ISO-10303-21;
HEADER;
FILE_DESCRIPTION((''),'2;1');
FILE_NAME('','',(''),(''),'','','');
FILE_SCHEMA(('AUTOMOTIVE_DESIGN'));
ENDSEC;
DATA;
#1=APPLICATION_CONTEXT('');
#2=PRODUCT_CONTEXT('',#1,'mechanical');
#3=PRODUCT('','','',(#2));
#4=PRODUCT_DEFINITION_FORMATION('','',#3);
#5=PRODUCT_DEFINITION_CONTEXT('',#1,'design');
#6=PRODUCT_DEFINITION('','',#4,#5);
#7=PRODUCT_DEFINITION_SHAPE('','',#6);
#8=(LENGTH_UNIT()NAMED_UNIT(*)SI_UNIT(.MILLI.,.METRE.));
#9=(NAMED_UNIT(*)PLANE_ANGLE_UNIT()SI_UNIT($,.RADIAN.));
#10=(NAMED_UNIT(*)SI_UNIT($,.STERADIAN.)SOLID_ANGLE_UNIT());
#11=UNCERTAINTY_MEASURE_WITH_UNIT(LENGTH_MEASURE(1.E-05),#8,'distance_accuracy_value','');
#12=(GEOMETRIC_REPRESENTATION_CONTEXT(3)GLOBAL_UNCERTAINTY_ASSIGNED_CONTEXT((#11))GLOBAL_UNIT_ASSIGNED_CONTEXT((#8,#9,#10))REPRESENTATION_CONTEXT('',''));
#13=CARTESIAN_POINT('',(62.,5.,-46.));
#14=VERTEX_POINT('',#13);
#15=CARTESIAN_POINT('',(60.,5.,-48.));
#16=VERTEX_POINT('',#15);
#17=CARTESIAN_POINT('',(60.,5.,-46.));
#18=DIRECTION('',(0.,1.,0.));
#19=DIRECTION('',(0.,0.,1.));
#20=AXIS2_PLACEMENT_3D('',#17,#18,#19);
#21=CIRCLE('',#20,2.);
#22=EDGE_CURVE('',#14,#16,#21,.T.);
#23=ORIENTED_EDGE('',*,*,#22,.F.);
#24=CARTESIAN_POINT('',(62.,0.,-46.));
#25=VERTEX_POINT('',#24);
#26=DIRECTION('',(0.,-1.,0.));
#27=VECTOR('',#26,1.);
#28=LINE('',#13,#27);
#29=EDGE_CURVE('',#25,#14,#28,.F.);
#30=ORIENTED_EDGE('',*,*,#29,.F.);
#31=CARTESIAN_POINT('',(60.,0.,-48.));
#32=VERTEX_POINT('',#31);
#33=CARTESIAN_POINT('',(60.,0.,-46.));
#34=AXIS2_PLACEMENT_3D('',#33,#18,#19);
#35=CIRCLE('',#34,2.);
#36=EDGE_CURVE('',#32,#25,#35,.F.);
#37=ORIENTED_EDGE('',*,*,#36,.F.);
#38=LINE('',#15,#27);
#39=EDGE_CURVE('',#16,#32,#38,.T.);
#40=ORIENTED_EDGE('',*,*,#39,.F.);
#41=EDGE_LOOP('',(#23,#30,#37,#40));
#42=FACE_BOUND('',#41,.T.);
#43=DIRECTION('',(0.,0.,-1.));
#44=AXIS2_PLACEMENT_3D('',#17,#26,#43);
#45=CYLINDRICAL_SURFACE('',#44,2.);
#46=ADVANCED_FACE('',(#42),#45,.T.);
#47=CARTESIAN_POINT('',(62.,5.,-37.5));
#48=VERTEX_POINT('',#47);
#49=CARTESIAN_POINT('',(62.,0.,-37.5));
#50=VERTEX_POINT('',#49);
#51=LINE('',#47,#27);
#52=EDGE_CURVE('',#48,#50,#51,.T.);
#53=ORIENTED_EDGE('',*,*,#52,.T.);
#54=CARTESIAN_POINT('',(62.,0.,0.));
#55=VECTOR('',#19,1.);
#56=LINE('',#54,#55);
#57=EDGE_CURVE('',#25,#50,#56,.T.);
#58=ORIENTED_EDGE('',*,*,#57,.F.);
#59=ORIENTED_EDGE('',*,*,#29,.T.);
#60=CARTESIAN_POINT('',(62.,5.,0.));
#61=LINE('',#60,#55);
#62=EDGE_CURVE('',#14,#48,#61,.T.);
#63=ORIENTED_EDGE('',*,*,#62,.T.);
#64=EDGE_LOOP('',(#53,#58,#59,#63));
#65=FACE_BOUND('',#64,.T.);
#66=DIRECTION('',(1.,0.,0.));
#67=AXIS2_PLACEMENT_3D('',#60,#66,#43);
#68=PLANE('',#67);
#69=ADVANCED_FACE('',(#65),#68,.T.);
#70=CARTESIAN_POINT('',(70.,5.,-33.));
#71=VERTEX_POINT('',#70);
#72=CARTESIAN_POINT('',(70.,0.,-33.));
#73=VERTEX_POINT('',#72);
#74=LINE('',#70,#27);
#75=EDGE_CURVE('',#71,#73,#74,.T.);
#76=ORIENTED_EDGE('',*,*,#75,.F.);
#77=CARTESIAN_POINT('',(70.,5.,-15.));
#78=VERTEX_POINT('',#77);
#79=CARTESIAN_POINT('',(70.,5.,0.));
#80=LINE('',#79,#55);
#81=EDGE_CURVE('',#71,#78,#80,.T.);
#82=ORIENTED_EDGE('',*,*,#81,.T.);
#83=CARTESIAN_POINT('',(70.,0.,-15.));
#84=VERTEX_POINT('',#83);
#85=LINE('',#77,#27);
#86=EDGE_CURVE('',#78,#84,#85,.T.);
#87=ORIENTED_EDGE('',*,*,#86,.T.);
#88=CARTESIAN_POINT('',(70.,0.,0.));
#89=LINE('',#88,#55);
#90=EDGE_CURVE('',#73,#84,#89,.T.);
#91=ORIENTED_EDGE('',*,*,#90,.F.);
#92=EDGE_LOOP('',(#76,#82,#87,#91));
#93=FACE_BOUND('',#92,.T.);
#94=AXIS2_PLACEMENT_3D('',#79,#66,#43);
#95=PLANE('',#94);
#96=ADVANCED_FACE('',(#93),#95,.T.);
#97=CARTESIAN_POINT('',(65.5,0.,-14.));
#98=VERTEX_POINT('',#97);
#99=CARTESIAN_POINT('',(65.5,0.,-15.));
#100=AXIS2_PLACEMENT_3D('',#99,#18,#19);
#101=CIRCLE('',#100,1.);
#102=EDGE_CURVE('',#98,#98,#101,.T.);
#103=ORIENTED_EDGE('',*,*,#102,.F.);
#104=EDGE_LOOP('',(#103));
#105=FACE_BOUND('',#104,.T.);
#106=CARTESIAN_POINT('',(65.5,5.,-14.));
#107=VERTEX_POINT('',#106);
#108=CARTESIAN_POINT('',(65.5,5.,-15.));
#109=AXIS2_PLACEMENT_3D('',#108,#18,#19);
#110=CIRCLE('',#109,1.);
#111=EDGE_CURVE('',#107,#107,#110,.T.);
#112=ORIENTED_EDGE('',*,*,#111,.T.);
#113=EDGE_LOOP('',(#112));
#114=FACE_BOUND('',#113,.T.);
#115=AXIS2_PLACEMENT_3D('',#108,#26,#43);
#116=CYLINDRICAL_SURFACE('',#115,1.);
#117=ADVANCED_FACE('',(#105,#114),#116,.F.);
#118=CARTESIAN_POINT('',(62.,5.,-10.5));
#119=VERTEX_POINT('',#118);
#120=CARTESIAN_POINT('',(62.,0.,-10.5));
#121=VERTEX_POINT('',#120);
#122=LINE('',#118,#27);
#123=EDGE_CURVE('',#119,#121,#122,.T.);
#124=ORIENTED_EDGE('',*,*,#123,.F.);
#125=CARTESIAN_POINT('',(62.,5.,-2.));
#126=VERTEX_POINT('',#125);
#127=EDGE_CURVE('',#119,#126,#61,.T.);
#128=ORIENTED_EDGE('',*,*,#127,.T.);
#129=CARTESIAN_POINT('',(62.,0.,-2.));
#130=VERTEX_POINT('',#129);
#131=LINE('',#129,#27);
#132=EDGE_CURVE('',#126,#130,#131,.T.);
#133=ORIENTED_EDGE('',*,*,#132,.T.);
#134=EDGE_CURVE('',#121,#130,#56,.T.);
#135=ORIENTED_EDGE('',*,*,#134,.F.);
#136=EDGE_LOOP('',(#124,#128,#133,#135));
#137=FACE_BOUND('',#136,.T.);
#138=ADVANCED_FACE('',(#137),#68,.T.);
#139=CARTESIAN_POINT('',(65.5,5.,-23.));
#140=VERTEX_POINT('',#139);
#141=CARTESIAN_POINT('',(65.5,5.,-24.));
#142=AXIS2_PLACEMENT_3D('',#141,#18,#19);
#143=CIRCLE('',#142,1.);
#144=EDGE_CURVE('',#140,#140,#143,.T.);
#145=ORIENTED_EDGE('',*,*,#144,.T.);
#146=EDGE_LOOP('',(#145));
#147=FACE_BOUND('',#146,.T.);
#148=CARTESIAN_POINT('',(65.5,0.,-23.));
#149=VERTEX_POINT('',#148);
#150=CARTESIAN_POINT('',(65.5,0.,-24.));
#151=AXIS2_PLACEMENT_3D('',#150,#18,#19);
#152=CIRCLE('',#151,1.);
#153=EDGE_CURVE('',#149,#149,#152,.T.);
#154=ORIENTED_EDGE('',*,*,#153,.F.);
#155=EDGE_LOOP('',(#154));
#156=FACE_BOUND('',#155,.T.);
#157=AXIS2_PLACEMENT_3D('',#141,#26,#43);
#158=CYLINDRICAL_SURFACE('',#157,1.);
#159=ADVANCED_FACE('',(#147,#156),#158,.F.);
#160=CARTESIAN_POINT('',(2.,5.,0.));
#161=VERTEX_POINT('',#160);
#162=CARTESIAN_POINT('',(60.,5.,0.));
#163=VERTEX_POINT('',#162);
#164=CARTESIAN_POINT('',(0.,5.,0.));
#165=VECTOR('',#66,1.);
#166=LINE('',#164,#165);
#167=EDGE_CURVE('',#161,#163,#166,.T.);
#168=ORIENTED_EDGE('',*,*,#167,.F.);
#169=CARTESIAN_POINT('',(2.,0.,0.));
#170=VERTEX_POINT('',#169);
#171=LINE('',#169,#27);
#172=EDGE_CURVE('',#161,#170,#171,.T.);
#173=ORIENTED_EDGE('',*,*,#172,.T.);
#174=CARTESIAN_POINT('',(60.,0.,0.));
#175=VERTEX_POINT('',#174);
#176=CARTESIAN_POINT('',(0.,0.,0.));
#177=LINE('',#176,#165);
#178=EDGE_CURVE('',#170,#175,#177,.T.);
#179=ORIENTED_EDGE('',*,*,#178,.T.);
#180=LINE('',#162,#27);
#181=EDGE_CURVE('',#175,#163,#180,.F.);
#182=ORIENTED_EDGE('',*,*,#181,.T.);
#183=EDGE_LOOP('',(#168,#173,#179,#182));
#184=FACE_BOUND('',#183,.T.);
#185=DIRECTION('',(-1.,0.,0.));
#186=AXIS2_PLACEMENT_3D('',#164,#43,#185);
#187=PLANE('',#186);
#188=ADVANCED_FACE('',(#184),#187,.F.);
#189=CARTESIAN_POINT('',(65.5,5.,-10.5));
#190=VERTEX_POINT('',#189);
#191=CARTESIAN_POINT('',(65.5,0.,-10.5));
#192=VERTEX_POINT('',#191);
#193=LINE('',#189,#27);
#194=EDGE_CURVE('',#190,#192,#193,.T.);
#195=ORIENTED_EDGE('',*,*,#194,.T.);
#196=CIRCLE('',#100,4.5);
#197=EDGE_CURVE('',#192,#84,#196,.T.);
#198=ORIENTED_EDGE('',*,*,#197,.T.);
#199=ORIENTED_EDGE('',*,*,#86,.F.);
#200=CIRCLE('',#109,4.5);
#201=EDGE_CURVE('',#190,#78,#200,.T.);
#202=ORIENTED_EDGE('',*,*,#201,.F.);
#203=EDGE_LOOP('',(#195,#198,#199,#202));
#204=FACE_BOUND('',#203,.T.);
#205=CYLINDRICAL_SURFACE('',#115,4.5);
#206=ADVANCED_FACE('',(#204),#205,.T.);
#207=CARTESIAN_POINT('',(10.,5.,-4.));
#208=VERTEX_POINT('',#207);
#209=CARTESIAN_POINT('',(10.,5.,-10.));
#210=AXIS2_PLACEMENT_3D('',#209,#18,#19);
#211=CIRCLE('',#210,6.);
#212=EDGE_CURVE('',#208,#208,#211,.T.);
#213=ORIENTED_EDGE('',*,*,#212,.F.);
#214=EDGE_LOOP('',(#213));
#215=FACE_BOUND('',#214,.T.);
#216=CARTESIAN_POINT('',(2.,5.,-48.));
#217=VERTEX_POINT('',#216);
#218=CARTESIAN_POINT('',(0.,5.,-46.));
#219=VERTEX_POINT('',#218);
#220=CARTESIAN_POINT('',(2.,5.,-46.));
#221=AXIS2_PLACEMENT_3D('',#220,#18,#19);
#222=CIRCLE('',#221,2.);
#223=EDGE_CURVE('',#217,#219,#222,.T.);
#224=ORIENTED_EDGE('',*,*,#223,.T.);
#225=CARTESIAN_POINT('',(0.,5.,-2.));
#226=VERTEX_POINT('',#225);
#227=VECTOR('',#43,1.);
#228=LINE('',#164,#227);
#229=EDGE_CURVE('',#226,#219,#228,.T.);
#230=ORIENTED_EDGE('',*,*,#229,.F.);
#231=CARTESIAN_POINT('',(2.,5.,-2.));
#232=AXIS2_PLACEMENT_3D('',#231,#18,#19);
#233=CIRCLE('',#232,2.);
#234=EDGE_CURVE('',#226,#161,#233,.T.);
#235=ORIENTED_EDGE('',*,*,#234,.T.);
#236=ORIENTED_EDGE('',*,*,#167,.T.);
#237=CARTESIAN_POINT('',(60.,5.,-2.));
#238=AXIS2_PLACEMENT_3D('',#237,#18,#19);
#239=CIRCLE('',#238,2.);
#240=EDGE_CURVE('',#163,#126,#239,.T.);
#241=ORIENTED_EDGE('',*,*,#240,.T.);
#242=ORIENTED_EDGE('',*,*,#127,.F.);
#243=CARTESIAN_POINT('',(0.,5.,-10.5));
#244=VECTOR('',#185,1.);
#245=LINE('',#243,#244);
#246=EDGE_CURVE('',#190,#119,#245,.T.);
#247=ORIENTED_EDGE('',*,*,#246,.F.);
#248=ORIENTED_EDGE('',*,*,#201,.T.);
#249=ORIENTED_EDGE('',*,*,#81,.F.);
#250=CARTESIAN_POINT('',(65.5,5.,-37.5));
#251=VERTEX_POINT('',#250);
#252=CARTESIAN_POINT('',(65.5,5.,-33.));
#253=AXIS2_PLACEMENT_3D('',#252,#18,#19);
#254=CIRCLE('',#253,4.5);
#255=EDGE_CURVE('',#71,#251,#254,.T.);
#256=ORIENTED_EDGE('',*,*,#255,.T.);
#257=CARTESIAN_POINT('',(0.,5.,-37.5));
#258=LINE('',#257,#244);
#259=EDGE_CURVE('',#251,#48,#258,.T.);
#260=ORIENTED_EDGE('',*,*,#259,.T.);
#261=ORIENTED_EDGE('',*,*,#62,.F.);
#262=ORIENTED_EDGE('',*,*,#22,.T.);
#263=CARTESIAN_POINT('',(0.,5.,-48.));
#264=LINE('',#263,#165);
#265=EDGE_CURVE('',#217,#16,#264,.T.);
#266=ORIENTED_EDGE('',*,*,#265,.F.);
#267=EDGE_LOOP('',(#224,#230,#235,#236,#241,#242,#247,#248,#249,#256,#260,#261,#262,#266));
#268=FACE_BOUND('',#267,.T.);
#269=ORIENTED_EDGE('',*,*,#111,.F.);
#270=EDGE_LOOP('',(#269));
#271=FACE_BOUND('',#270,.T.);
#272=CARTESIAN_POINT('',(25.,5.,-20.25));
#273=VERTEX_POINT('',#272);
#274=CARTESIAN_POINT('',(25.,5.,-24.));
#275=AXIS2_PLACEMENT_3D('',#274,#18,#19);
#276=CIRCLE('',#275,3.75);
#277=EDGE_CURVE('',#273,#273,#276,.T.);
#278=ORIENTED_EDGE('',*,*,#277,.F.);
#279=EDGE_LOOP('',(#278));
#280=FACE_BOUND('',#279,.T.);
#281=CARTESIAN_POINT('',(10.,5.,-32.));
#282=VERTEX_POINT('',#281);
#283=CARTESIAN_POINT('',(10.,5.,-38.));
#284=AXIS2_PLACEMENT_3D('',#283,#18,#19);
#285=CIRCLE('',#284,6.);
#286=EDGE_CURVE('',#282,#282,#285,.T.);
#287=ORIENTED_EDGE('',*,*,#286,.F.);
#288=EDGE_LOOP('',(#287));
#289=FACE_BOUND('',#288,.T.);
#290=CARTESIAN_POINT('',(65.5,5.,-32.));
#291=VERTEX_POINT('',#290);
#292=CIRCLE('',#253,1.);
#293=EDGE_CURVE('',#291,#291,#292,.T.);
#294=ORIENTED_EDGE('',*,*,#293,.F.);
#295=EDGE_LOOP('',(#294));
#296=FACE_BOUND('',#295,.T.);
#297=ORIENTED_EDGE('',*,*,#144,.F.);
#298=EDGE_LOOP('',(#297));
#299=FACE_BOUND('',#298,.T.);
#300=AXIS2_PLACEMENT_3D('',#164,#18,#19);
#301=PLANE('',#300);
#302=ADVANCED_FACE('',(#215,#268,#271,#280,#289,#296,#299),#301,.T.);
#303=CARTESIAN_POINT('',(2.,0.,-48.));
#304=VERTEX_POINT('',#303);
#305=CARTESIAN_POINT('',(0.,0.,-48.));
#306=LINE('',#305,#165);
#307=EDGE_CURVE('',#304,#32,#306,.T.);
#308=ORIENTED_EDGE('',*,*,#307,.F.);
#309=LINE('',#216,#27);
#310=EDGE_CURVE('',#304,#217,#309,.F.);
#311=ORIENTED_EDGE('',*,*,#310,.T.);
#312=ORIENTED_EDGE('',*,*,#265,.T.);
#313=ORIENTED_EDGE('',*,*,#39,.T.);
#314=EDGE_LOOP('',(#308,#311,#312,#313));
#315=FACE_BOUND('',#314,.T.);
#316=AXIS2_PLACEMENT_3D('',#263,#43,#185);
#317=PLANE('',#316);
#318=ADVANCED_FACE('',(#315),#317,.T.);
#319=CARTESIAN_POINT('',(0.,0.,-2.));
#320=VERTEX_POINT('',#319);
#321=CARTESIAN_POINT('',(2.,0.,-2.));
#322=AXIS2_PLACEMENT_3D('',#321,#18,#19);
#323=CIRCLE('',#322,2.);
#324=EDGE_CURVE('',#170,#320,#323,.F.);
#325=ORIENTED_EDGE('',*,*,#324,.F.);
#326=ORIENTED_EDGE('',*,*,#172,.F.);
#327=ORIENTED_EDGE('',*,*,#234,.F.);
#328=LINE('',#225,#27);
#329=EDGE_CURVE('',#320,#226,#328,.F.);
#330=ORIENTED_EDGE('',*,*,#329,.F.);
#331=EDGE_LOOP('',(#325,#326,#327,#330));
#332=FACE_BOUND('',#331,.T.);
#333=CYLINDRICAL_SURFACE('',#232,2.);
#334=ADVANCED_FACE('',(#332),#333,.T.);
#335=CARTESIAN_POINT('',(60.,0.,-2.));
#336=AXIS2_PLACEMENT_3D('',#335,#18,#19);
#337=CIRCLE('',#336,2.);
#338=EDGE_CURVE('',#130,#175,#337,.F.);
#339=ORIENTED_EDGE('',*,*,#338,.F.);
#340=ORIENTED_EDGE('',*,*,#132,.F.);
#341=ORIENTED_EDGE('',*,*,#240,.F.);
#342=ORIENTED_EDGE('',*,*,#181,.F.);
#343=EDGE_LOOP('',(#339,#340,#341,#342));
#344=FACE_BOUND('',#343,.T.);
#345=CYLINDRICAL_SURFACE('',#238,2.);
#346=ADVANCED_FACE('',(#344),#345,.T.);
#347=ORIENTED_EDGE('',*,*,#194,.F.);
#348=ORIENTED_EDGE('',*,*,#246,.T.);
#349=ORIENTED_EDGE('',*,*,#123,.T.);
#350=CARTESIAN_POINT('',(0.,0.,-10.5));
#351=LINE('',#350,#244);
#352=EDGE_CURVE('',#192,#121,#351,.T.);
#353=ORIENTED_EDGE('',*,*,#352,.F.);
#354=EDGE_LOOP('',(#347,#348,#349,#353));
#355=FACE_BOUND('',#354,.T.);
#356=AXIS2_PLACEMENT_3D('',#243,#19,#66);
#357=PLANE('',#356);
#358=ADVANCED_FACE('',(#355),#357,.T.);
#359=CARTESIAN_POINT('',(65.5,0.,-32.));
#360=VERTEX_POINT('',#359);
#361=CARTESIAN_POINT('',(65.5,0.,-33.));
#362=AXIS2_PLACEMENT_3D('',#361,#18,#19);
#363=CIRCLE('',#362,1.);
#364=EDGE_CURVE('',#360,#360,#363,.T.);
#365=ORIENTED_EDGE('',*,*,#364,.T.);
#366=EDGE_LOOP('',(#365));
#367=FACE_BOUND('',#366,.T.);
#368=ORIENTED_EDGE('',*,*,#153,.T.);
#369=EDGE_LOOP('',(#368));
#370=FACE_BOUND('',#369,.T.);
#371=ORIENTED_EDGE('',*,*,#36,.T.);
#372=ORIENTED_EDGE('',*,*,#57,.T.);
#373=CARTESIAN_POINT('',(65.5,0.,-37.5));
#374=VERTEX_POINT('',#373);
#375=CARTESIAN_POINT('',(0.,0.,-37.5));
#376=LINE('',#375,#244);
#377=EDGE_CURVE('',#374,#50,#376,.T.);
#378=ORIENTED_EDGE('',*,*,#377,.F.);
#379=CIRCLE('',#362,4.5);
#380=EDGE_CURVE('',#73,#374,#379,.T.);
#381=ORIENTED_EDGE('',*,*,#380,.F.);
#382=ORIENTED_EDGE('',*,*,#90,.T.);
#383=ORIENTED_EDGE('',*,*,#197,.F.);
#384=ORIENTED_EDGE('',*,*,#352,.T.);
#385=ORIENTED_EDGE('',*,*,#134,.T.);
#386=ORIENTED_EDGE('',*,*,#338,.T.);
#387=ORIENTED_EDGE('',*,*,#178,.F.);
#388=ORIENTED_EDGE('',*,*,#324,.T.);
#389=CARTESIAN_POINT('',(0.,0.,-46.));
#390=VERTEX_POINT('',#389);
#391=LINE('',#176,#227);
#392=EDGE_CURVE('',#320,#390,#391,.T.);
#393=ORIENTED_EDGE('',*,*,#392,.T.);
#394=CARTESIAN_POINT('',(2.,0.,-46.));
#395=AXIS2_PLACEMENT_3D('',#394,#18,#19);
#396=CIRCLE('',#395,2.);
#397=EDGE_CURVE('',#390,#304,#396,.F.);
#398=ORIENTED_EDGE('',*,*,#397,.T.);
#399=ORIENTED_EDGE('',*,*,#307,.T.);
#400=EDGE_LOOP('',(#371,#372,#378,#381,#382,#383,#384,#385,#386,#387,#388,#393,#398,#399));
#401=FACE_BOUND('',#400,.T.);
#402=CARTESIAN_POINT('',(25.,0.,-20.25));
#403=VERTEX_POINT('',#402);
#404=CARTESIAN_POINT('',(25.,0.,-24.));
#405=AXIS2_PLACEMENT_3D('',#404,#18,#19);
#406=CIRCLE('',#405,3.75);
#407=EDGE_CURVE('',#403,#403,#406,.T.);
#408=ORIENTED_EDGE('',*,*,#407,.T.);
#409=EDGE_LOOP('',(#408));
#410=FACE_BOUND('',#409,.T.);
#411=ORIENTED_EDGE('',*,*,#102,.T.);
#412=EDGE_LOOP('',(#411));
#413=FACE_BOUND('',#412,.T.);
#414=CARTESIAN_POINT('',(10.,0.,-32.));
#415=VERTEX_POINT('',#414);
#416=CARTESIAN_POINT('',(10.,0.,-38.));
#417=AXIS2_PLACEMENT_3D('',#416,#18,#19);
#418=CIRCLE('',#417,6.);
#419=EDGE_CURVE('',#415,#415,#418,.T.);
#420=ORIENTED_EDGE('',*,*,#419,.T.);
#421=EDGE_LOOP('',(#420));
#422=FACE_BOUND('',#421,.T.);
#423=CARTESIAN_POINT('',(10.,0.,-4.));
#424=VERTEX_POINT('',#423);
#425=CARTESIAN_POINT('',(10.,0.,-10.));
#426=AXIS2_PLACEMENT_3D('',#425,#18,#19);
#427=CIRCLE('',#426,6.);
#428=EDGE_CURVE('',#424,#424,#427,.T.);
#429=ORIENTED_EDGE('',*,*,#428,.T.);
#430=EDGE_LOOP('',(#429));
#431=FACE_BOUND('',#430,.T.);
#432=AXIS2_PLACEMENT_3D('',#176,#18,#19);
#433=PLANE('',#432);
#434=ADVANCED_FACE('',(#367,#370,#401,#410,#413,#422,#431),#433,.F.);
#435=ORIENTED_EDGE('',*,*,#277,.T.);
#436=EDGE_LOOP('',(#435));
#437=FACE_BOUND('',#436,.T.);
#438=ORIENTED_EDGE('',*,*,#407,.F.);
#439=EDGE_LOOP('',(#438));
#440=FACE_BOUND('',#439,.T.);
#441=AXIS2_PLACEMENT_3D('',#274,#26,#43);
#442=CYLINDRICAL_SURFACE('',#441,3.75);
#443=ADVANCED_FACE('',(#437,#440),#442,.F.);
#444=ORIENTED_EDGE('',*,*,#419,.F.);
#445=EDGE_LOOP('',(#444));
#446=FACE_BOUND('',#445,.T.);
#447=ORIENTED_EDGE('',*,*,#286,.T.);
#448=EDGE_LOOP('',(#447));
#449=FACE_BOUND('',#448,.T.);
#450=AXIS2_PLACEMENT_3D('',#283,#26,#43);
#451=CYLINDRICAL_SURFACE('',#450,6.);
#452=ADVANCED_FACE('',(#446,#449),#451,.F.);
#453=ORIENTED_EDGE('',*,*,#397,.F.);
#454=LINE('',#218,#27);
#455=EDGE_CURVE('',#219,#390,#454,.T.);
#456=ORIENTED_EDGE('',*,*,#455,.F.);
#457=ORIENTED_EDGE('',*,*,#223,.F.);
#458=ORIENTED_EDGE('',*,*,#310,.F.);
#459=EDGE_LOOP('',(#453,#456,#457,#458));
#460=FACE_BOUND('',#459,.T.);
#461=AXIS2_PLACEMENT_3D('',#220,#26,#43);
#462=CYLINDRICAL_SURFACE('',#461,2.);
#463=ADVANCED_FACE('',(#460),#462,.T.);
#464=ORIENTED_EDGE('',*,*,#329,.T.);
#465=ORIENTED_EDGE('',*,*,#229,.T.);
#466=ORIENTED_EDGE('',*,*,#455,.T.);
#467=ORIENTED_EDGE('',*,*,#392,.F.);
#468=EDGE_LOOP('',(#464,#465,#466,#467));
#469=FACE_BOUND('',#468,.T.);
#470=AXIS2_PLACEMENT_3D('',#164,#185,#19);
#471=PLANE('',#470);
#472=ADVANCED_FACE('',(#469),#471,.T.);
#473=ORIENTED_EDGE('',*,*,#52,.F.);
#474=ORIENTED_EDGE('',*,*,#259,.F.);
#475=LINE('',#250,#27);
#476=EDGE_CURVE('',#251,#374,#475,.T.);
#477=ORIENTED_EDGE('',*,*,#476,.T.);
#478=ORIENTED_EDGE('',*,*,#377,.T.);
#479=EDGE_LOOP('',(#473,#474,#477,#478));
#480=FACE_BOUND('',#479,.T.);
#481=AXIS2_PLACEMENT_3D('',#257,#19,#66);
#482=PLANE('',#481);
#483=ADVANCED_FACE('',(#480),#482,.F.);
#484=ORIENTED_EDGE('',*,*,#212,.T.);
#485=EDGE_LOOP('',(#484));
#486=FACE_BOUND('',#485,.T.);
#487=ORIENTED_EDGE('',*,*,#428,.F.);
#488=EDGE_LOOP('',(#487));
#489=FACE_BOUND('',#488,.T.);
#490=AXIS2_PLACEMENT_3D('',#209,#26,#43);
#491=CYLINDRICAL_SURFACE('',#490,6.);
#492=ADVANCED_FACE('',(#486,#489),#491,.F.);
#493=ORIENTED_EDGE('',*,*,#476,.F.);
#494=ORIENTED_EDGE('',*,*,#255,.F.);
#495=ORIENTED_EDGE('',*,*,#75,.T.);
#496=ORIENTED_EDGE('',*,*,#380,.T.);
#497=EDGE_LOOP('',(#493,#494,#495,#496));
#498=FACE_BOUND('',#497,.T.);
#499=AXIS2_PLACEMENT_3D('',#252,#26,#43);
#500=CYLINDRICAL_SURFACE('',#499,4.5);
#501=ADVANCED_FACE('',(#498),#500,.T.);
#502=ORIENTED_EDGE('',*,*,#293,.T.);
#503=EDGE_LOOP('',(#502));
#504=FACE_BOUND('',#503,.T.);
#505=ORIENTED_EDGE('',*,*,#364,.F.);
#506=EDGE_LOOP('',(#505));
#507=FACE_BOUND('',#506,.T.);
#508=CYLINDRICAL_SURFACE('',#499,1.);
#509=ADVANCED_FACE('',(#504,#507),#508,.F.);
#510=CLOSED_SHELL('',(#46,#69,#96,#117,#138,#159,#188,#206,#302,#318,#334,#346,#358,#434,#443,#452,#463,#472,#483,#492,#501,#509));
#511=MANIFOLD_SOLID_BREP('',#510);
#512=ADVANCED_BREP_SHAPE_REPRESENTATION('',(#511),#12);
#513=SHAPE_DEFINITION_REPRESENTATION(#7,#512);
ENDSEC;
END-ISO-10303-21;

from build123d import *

# Parameters (mm, degrees)
SKETCH1_R           = 6
SKETCH1_R_2         = 3.75
SKETCH1_R_3         = 1
BOSS_EXTRUDE1_DEPTH = 5
FILLET1_R           = 2


with BuildPart() as part:
    # Sketch1 → Boss-Extrude1 (new body)
    with BuildSketch(Plane(origin=(0, 0, 0), x_dir=(1, 0, 0), z_dir=(0, 1, 0))):
        with BuildLine():
            Line((70, 33), (70, 15))
            ThreePointArc((70, 15), (68.681980515, 11.818019485), (65.5, 10.5))
            Line((65.5, 10.5), (62, 10.5))
            Line((62, 10.5), (62, 0))
            Line((62, 0), (0, 0))
            Line((0, 0), (0, 48))
            Line((0, 48), (62, 48))
            Line((62, 48), (62, 37.5))
            Line((62, 37.5), (65.5, 37.5))
            ThreePointArc((65.5, 37.5), (68.681980515, 36.181980515), (70, 33))
        make_face()
        with Locations(Location((10, 10, 0), (0, 0, 270))):
            Circle(SKETCH1_R, mode=Mode.SUBTRACT)
        with Locations(Location((10, 38, 0), (0, 0, 270))):
            Circle(SKETCH1_R, mode=Mode.SUBTRACT)
        with Locations(Location((25, 24, 0), (0, 0, 270))):
            Circle(SKETCH1_R_2, mode=Mode.SUBTRACT)
        with Locations(Location((65.5, 15, 0), (0, 0, 270))):
            Circle(SKETCH1_R_3, mode=Mode.SUBTRACT)
        with Locations(Location((65.5, 24, 0), (0, 0, 270))):
            Circle(SKETCH1_R_3, mode=Mode.SUBTRACT)
        with Locations(Location((65.5, 33, 0), (0, 0, 270))):
            Circle(SKETCH1_R_3, mode=Mode.SUBTRACT)
    extrude(amount=BOSS_EXTRUDE1_DEPTH)

    # Fillet1
    fillet1_edges = [part.edges().sort_by_distance(p)[0] for p in [
        (62, 2.5, 0),
        (0, 2.5, 0),
        (0, 2.5, -48),
        (62, 2.5, -48),
    ]]
    fillet(fillet1_edges, radius=FILLET1_R)


solid = part.part
